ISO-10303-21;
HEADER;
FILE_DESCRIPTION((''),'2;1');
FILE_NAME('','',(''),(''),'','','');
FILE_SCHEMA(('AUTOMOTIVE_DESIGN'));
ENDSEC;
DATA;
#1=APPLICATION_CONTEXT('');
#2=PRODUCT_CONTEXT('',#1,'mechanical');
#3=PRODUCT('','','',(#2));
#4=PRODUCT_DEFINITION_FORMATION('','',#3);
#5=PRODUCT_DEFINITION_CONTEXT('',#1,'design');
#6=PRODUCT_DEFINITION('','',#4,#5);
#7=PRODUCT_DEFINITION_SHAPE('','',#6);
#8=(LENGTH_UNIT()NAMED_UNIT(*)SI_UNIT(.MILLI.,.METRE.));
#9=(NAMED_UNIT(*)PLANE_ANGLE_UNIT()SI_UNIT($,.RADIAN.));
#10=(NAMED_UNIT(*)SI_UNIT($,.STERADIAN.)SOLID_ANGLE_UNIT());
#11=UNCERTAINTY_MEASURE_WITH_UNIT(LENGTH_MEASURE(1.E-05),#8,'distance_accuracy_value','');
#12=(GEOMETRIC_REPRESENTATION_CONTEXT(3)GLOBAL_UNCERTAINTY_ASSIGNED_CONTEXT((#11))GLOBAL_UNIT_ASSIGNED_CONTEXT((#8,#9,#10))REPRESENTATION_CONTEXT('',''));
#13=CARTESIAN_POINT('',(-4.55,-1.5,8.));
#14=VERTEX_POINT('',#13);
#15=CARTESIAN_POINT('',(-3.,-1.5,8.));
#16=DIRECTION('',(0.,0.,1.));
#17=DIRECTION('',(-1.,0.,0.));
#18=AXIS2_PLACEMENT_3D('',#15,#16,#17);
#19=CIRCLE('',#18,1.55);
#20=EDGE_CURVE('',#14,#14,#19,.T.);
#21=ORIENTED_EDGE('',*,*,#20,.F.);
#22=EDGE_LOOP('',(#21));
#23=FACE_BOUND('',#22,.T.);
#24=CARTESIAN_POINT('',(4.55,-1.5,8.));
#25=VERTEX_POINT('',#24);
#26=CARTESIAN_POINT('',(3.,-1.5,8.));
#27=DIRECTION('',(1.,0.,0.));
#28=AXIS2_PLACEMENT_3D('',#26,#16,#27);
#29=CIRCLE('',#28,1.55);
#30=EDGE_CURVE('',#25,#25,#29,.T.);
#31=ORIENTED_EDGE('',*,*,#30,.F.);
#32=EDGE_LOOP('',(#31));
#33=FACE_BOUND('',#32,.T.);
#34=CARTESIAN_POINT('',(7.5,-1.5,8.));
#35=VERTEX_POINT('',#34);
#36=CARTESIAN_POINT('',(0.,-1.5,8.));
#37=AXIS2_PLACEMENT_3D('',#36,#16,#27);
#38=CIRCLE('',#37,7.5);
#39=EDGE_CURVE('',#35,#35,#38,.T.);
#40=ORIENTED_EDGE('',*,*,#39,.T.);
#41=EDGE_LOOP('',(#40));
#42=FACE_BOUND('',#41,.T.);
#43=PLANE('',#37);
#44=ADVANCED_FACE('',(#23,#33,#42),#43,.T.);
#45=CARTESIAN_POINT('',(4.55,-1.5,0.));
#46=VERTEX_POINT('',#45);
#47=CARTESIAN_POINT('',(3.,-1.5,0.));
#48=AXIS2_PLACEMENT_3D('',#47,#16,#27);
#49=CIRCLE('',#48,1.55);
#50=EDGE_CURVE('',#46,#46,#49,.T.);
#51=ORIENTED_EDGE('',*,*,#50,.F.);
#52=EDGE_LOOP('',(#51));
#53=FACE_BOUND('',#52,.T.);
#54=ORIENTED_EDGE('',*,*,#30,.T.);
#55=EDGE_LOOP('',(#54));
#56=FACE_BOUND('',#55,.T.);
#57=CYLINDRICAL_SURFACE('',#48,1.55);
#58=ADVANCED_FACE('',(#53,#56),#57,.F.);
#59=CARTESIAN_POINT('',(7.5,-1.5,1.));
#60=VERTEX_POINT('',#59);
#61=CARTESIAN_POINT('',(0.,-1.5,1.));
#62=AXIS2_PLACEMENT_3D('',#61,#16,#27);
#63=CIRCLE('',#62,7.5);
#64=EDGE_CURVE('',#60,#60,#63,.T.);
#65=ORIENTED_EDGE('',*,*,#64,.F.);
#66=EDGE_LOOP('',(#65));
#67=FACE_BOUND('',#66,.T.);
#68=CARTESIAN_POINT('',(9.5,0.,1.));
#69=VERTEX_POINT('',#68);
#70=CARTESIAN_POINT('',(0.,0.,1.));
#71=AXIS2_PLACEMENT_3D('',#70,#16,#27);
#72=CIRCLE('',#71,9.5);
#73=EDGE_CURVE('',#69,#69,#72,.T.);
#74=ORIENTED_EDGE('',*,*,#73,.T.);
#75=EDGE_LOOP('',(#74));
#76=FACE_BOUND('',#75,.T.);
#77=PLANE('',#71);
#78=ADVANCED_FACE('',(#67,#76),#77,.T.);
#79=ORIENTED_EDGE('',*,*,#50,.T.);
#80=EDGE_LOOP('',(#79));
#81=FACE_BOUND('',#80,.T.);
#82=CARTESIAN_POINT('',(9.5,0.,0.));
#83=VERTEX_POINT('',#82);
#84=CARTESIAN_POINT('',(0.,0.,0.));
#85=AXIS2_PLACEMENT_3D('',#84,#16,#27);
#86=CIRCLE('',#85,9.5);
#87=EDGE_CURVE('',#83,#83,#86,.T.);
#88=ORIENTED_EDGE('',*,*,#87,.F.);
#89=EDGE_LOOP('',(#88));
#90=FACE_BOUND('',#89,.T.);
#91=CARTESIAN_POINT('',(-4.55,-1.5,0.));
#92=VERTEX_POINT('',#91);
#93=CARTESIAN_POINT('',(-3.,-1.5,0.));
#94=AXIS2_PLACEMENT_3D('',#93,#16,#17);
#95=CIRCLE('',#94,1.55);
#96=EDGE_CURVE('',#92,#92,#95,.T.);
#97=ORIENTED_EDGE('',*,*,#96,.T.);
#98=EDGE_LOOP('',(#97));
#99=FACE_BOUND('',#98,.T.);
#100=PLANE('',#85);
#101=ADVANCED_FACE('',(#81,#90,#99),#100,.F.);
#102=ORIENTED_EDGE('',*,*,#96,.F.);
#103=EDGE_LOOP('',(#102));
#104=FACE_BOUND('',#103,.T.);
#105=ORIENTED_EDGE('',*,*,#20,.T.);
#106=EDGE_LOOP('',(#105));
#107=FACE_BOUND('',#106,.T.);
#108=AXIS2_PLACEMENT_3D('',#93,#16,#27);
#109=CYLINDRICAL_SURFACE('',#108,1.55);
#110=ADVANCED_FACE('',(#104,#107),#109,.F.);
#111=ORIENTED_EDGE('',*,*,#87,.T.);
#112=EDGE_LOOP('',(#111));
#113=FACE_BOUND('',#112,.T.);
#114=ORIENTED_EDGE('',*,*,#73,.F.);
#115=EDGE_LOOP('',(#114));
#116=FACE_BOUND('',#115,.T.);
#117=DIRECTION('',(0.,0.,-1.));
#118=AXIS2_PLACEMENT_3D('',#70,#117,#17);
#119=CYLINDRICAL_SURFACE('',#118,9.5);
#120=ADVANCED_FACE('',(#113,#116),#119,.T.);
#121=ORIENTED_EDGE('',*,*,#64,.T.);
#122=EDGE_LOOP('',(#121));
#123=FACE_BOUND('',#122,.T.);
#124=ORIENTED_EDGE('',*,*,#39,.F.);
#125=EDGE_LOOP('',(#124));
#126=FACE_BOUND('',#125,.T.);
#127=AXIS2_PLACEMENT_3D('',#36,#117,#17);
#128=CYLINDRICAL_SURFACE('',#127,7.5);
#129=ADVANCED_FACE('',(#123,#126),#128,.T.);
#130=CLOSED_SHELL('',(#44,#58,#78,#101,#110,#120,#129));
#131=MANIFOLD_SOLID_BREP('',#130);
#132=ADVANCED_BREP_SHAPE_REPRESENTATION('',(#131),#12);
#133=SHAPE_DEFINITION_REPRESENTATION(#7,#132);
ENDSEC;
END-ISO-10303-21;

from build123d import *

# Parameters (mm, degrees)
SKETCH1_R           = 9.5
BOSS_EXTRUDE1_DEPTH = 1
SKETCH2_R           = 7.5
BOSS_EXTRUDE2_DEPTH = 7
SKETCH3_R           = 1.55
CUT_EXTRUDE1_DEPTH  = 16.636495771


with BuildPart() as part:
    # Sketch1 → Boss-Extrude1 (new body)
    with BuildSketch(Plane.XY):
        Circle(SKETCH1_R)
    extrude(amount=BOSS_EXTRUDE1_DEPTH)

    # Sketch2 → Boss-Extrude2 (add)
    with BuildSketch(Plane.XY.offset(1)):
        with Locations((0, -1.5)):
            Circle(SKETCH2_R)
    extrude(amount=BOSS_EXTRUDE2_DEPTH)

    # Sketch3 → Cut-Extrude1 (cut, through all)
    with BuildSketch(Plane.XY.offset(8)):
        with Locations((3, -1.5)):
            Circle(SKETCH3_R)
        with Locations(Location((-3, -1.5, 0), (0, 0, 180))):
            Circle(SKETCH3_R)
    extrude(amount=-CUT_EXTRUDE1_DEPTH, mode=Mode.SUBTRACT)


solid = part.part
